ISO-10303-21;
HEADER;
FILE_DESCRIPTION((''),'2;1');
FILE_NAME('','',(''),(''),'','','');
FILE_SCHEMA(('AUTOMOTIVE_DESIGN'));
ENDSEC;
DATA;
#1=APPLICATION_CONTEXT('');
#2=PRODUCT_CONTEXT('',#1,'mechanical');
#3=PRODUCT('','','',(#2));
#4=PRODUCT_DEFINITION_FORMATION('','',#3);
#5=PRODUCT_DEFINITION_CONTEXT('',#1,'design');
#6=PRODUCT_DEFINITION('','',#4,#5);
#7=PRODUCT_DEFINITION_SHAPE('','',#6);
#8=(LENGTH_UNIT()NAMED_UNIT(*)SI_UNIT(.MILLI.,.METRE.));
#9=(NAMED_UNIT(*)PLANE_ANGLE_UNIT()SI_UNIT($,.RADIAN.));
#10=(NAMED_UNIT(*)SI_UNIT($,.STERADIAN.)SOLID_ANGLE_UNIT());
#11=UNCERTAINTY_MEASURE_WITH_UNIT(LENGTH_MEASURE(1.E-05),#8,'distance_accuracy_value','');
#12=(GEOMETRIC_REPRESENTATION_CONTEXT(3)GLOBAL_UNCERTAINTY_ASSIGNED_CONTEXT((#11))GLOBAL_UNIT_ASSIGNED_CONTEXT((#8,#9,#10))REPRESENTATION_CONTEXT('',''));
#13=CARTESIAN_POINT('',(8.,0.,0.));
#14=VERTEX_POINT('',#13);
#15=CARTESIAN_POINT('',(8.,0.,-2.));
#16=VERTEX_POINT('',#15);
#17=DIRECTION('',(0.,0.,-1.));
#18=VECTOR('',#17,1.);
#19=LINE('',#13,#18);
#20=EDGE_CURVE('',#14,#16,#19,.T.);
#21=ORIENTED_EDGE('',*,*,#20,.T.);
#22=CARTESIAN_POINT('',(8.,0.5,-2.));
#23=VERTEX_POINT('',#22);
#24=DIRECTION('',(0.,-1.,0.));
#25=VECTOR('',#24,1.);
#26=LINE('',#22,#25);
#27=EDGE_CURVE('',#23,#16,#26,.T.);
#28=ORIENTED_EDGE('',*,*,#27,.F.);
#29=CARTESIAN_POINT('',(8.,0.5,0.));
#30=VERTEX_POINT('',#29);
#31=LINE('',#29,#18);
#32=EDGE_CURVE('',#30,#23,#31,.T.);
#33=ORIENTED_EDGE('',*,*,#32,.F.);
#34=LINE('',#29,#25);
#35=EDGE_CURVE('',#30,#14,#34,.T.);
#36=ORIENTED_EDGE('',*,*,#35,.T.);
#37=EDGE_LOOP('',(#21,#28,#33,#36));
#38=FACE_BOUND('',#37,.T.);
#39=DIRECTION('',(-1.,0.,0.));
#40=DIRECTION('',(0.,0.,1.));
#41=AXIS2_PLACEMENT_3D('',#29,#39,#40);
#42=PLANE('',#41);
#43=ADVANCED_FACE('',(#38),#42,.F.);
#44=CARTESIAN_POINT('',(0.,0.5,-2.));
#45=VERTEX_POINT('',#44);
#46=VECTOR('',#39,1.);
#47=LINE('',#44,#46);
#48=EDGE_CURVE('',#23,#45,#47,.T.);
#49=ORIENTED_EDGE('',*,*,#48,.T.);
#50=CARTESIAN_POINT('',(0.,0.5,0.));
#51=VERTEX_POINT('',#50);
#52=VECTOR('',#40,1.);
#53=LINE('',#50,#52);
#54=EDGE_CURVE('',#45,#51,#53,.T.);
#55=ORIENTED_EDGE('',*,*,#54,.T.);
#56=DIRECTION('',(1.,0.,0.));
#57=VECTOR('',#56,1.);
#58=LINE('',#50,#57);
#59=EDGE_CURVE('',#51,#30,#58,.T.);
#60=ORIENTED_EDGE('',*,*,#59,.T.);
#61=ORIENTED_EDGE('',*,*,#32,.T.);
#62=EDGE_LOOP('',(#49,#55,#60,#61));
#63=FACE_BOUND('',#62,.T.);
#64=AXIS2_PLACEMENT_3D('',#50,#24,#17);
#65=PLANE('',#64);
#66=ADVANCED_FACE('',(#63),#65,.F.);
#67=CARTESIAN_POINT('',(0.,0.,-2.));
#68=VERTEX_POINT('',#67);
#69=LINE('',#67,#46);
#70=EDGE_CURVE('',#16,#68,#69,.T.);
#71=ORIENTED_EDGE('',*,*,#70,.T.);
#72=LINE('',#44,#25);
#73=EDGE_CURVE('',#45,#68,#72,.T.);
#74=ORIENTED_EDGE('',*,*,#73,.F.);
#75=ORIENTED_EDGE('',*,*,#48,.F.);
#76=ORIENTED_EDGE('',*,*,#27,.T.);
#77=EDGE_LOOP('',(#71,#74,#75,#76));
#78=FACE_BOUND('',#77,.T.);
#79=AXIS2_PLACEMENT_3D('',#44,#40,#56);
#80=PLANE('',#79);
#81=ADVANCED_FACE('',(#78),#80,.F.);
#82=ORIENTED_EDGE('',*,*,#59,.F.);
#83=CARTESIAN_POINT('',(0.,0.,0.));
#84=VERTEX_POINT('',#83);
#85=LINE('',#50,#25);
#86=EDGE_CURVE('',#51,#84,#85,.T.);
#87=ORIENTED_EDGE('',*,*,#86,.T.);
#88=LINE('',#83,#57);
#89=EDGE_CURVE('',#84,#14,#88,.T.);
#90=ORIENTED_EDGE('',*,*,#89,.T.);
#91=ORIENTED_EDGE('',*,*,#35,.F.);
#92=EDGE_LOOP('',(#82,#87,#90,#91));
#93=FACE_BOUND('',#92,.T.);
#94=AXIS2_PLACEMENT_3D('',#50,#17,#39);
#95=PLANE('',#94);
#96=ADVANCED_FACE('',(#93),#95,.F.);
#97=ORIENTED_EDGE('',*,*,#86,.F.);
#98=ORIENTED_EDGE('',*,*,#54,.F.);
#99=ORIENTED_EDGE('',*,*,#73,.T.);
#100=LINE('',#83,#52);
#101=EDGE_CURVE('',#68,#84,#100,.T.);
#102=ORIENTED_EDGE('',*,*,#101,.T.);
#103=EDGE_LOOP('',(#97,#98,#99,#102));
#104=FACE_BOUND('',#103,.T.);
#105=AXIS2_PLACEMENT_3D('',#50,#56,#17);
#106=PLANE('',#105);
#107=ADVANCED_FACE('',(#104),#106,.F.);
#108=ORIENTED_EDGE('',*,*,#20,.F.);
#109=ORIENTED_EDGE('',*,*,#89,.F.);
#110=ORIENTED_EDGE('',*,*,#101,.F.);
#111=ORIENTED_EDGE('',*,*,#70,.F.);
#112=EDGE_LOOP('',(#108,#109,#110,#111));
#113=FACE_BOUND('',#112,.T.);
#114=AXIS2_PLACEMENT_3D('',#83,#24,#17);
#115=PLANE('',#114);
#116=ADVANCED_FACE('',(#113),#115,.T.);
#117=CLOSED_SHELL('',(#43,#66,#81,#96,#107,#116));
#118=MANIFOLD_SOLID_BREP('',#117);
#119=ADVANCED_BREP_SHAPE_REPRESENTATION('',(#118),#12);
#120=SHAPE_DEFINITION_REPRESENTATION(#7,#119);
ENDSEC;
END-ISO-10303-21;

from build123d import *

# Parameters (mm, degrees)
SKETCH_1_W      = 8
SKETCH_1_H      = 2
EXTRUDE_1_DEPTH = 0.5


with BuildPart() as part:
    # 草图1 → 凸台-拉伸1 (new body)
    with BuildSketch(Plane(origin=(0, 0, 0), x_dir=(1, 0, 0), z_dir=(0, 1, 0))):
        with Locations((4, 1)):
            Rectangle(SKETCH_1_W, SKETCH_1_H)
    extrude(amount=EXTRUDE_1_DEPTH)


solid = part.part
